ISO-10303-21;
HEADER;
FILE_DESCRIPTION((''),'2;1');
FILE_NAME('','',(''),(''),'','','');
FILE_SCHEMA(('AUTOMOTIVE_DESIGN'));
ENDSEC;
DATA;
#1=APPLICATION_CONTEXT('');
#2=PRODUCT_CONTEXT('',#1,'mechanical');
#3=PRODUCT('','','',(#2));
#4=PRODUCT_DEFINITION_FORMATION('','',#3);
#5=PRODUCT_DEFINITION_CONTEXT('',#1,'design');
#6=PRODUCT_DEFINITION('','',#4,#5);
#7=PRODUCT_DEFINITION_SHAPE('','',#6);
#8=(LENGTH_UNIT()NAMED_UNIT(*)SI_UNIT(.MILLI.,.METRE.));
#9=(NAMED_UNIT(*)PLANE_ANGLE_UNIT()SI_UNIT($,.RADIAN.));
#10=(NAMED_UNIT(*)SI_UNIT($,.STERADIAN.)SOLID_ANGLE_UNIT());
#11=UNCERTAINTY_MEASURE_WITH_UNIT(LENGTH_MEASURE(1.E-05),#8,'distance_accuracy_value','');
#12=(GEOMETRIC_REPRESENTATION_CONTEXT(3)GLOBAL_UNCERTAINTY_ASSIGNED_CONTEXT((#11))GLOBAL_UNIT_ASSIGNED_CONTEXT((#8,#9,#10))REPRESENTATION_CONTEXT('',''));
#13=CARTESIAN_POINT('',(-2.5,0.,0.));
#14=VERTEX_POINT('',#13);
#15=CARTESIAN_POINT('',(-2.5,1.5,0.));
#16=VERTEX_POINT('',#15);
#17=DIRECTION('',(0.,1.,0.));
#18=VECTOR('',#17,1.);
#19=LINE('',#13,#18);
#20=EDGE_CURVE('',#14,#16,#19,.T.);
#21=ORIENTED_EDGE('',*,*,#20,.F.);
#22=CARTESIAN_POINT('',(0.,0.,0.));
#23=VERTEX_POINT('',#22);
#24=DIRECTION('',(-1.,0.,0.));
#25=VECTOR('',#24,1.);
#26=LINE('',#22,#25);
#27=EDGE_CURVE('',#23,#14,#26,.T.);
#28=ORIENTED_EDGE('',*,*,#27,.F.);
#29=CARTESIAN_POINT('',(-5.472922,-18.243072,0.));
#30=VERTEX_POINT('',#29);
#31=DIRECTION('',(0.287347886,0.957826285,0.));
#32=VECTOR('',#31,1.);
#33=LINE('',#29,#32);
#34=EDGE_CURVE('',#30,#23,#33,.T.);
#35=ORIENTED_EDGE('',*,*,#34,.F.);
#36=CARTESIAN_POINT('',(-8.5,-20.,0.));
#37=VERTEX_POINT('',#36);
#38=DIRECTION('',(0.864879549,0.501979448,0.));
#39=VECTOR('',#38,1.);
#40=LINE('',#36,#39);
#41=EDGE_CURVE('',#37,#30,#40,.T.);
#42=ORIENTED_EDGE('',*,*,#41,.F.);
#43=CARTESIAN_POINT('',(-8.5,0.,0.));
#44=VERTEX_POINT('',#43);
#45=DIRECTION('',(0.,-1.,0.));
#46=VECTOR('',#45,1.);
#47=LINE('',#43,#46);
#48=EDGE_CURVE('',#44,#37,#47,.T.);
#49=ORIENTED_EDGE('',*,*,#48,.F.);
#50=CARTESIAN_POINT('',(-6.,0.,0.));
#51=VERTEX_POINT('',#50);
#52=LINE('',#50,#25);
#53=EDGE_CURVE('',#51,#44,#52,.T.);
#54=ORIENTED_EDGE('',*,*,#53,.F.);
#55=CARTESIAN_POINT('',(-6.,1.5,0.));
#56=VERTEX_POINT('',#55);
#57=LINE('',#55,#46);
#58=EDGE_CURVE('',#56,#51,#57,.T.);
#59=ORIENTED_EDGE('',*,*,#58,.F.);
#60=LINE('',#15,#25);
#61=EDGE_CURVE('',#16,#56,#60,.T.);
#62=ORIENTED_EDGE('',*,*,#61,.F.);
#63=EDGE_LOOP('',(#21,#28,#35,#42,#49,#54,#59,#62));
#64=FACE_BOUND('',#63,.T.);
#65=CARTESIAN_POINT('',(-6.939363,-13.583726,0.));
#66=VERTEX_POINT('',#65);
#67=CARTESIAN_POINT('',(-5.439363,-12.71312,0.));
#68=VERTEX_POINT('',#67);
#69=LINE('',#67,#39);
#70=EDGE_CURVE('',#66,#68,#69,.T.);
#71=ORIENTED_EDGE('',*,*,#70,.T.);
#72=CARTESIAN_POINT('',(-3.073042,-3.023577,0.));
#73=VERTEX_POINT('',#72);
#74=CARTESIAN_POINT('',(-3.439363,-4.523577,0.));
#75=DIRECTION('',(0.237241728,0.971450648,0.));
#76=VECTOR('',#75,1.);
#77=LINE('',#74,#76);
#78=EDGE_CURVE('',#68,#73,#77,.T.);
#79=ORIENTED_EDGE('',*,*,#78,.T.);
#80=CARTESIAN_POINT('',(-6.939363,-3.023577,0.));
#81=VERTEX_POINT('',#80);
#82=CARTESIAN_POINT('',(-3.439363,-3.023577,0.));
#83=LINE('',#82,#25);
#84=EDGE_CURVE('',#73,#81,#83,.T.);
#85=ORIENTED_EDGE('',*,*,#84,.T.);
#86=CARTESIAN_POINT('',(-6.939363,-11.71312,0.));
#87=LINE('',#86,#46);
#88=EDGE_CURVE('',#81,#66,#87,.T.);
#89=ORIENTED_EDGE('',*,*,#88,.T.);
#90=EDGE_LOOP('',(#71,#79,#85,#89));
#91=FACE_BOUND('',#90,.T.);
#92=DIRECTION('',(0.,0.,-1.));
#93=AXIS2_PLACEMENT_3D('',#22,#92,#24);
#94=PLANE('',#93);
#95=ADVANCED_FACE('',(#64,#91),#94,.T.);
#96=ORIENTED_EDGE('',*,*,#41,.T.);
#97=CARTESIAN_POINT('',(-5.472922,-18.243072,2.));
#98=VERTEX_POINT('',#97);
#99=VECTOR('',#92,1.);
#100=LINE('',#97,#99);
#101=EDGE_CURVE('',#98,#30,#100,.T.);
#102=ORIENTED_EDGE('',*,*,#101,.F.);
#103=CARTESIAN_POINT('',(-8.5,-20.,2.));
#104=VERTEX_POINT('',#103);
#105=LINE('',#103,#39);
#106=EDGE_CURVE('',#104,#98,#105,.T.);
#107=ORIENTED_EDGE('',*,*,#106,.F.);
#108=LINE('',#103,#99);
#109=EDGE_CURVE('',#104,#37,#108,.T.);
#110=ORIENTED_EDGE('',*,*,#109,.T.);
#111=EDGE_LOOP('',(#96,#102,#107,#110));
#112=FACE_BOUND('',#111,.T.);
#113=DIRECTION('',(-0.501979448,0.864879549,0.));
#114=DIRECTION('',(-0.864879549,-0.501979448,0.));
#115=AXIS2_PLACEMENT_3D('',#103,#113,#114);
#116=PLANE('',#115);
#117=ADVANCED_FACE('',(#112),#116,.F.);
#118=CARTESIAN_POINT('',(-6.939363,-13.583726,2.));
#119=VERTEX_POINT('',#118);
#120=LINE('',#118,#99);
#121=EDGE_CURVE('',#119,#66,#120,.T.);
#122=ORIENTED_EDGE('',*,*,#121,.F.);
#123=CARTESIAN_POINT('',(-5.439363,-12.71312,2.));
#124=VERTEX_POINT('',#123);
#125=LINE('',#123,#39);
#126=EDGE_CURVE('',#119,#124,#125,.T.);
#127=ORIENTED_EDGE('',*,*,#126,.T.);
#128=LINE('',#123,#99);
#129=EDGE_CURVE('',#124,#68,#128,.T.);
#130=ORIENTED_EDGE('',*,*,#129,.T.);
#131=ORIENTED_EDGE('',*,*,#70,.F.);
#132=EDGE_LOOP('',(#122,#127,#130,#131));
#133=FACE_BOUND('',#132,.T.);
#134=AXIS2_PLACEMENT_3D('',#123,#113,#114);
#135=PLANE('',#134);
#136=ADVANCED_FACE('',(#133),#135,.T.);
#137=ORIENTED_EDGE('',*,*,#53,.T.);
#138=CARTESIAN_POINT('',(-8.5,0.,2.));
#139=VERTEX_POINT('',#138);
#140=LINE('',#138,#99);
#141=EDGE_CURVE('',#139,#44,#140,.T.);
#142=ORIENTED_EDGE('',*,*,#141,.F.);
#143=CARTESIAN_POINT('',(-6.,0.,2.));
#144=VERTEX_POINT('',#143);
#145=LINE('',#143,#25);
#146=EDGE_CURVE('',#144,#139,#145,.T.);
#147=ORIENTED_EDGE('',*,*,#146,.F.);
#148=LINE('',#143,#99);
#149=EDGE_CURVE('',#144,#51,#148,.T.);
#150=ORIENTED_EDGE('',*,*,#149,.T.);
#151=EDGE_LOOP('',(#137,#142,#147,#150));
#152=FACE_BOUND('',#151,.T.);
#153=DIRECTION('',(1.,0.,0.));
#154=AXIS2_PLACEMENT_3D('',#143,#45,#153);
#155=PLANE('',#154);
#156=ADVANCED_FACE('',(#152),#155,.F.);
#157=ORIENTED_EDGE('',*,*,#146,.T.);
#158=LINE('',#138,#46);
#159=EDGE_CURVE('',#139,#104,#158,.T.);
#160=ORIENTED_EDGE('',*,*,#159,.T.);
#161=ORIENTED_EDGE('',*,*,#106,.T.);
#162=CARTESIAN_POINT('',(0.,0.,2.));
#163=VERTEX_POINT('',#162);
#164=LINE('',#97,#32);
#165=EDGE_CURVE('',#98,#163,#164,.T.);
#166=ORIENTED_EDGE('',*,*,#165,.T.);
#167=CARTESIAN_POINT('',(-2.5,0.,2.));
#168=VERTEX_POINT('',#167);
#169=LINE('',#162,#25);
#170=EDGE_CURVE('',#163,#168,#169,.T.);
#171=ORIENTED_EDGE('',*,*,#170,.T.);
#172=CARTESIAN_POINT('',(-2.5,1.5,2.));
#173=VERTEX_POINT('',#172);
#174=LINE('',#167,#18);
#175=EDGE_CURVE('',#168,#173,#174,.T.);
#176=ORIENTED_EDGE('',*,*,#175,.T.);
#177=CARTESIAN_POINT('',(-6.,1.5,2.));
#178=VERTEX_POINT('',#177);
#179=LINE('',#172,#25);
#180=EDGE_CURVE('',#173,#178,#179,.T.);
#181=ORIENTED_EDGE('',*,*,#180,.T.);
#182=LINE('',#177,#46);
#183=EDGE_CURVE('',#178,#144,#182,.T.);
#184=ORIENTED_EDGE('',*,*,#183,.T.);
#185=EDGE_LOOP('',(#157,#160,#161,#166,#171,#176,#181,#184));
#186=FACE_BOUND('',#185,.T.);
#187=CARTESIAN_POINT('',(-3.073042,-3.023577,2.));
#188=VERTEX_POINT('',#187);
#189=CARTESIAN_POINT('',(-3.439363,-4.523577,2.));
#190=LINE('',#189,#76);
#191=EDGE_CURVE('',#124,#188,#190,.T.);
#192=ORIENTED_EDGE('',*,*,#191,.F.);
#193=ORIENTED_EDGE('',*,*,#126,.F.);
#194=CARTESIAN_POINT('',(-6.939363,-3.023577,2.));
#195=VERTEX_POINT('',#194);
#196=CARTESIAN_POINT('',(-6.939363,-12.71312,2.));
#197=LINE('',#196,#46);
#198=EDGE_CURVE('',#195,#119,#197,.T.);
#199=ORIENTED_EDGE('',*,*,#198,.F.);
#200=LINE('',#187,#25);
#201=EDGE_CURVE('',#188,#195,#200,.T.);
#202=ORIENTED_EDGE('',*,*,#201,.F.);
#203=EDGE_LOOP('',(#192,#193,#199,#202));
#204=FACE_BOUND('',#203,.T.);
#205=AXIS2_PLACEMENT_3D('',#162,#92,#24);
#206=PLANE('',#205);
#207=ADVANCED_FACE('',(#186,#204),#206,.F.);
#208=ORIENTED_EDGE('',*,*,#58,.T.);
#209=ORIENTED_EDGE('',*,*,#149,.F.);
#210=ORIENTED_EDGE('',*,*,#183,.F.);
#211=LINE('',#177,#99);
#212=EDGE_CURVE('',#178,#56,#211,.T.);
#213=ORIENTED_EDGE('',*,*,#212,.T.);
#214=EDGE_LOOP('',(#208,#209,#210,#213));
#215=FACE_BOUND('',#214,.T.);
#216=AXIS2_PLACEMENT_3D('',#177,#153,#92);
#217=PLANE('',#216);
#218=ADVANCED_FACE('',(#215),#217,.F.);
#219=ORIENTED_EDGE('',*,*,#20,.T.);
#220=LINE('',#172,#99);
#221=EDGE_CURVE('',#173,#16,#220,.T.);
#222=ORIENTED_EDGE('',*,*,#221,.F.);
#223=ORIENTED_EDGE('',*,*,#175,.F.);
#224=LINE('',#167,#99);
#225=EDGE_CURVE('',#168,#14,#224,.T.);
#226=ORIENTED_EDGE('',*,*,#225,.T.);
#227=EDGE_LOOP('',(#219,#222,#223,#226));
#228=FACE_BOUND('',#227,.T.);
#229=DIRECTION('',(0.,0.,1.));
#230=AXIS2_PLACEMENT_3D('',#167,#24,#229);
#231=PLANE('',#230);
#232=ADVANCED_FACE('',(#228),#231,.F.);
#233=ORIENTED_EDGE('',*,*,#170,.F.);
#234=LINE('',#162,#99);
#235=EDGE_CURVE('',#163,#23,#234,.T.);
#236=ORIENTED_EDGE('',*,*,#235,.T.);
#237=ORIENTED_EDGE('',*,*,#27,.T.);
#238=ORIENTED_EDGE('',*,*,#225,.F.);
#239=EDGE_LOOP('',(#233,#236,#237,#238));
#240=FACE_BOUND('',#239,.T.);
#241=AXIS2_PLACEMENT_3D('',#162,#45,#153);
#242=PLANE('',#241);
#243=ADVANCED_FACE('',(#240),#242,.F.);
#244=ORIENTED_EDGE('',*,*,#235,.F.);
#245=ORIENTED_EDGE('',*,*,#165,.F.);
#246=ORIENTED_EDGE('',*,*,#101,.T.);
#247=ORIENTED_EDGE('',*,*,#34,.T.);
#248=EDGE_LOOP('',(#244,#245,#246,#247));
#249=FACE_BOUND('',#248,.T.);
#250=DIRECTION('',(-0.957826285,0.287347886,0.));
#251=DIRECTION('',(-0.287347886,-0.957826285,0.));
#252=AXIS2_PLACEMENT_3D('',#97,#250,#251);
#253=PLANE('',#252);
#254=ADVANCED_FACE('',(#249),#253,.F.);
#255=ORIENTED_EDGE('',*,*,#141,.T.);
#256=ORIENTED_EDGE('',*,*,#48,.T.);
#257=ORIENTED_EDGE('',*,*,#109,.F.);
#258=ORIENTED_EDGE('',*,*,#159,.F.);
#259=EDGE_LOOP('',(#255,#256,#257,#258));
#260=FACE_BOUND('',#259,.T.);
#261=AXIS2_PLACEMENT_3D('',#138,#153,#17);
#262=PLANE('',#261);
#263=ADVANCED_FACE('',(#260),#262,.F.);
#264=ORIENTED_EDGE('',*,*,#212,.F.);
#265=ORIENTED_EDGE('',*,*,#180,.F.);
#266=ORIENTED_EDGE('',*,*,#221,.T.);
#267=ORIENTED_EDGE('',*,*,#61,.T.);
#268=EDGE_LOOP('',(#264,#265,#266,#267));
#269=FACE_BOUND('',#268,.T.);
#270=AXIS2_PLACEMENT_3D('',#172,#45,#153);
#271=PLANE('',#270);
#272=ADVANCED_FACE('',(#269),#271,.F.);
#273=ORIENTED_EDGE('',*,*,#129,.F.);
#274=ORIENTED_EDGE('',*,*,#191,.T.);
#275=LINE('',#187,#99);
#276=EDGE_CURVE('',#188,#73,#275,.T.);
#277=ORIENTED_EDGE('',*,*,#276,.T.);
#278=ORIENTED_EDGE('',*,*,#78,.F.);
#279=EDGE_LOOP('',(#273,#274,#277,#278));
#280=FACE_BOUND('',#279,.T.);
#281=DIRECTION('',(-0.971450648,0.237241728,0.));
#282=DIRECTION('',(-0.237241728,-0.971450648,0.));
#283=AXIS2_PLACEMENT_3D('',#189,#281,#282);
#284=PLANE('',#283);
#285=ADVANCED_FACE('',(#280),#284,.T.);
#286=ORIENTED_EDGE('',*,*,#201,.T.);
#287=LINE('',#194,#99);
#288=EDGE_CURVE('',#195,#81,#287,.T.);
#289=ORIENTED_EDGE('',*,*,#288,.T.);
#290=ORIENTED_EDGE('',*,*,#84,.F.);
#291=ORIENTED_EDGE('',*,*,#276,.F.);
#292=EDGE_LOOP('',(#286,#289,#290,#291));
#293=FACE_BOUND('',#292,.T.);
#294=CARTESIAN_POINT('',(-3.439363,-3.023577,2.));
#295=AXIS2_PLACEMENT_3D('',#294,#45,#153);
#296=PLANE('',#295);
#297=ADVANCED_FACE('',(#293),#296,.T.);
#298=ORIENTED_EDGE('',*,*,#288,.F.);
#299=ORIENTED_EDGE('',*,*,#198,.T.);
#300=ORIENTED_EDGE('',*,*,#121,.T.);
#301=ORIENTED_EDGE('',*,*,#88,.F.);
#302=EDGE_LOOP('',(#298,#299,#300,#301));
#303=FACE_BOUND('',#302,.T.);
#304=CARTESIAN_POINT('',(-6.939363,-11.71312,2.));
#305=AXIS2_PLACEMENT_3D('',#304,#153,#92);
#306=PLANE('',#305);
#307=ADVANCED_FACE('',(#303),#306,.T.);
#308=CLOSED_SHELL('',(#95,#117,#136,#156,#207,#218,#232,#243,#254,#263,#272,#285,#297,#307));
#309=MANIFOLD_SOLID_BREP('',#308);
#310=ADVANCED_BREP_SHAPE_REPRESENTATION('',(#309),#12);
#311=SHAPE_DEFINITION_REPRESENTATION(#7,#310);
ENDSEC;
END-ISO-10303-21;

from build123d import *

# Parameters (mm, degrees)
BOSS_EXTRUDE1_DEPTH = 2


with BuildPart() as part:
    # Sketch1 → Boss-Extrude1 (new body)
    with BuildSketch(Plane.XY):
        Polygon((-8.5, 0), (-8.5, -20), (-5.47292158, -18.243071932), (0, 0), (-2.5, 0), (-2.5, 1.5), (-6, 1.5), (-6, 0), align=None)
        Polygon((-3.439362664, -4.523577139), (-5.439362664, -12.713119984), (-6.939362664, -13.583725808), (-6.939362664, -12.713119984), (-6.939362664, -11.713119984), (-6.939362664, -4.523577139), (-6.939362664, -3.023577139), (-3.439362664, -3.023577139), (-3.07304185, -3.023577139), align=None, mode=Mode.SUBTRACT)
    extrude(amount=BOSS_EXTRUDE1_DEPTH)


solid = part.part
